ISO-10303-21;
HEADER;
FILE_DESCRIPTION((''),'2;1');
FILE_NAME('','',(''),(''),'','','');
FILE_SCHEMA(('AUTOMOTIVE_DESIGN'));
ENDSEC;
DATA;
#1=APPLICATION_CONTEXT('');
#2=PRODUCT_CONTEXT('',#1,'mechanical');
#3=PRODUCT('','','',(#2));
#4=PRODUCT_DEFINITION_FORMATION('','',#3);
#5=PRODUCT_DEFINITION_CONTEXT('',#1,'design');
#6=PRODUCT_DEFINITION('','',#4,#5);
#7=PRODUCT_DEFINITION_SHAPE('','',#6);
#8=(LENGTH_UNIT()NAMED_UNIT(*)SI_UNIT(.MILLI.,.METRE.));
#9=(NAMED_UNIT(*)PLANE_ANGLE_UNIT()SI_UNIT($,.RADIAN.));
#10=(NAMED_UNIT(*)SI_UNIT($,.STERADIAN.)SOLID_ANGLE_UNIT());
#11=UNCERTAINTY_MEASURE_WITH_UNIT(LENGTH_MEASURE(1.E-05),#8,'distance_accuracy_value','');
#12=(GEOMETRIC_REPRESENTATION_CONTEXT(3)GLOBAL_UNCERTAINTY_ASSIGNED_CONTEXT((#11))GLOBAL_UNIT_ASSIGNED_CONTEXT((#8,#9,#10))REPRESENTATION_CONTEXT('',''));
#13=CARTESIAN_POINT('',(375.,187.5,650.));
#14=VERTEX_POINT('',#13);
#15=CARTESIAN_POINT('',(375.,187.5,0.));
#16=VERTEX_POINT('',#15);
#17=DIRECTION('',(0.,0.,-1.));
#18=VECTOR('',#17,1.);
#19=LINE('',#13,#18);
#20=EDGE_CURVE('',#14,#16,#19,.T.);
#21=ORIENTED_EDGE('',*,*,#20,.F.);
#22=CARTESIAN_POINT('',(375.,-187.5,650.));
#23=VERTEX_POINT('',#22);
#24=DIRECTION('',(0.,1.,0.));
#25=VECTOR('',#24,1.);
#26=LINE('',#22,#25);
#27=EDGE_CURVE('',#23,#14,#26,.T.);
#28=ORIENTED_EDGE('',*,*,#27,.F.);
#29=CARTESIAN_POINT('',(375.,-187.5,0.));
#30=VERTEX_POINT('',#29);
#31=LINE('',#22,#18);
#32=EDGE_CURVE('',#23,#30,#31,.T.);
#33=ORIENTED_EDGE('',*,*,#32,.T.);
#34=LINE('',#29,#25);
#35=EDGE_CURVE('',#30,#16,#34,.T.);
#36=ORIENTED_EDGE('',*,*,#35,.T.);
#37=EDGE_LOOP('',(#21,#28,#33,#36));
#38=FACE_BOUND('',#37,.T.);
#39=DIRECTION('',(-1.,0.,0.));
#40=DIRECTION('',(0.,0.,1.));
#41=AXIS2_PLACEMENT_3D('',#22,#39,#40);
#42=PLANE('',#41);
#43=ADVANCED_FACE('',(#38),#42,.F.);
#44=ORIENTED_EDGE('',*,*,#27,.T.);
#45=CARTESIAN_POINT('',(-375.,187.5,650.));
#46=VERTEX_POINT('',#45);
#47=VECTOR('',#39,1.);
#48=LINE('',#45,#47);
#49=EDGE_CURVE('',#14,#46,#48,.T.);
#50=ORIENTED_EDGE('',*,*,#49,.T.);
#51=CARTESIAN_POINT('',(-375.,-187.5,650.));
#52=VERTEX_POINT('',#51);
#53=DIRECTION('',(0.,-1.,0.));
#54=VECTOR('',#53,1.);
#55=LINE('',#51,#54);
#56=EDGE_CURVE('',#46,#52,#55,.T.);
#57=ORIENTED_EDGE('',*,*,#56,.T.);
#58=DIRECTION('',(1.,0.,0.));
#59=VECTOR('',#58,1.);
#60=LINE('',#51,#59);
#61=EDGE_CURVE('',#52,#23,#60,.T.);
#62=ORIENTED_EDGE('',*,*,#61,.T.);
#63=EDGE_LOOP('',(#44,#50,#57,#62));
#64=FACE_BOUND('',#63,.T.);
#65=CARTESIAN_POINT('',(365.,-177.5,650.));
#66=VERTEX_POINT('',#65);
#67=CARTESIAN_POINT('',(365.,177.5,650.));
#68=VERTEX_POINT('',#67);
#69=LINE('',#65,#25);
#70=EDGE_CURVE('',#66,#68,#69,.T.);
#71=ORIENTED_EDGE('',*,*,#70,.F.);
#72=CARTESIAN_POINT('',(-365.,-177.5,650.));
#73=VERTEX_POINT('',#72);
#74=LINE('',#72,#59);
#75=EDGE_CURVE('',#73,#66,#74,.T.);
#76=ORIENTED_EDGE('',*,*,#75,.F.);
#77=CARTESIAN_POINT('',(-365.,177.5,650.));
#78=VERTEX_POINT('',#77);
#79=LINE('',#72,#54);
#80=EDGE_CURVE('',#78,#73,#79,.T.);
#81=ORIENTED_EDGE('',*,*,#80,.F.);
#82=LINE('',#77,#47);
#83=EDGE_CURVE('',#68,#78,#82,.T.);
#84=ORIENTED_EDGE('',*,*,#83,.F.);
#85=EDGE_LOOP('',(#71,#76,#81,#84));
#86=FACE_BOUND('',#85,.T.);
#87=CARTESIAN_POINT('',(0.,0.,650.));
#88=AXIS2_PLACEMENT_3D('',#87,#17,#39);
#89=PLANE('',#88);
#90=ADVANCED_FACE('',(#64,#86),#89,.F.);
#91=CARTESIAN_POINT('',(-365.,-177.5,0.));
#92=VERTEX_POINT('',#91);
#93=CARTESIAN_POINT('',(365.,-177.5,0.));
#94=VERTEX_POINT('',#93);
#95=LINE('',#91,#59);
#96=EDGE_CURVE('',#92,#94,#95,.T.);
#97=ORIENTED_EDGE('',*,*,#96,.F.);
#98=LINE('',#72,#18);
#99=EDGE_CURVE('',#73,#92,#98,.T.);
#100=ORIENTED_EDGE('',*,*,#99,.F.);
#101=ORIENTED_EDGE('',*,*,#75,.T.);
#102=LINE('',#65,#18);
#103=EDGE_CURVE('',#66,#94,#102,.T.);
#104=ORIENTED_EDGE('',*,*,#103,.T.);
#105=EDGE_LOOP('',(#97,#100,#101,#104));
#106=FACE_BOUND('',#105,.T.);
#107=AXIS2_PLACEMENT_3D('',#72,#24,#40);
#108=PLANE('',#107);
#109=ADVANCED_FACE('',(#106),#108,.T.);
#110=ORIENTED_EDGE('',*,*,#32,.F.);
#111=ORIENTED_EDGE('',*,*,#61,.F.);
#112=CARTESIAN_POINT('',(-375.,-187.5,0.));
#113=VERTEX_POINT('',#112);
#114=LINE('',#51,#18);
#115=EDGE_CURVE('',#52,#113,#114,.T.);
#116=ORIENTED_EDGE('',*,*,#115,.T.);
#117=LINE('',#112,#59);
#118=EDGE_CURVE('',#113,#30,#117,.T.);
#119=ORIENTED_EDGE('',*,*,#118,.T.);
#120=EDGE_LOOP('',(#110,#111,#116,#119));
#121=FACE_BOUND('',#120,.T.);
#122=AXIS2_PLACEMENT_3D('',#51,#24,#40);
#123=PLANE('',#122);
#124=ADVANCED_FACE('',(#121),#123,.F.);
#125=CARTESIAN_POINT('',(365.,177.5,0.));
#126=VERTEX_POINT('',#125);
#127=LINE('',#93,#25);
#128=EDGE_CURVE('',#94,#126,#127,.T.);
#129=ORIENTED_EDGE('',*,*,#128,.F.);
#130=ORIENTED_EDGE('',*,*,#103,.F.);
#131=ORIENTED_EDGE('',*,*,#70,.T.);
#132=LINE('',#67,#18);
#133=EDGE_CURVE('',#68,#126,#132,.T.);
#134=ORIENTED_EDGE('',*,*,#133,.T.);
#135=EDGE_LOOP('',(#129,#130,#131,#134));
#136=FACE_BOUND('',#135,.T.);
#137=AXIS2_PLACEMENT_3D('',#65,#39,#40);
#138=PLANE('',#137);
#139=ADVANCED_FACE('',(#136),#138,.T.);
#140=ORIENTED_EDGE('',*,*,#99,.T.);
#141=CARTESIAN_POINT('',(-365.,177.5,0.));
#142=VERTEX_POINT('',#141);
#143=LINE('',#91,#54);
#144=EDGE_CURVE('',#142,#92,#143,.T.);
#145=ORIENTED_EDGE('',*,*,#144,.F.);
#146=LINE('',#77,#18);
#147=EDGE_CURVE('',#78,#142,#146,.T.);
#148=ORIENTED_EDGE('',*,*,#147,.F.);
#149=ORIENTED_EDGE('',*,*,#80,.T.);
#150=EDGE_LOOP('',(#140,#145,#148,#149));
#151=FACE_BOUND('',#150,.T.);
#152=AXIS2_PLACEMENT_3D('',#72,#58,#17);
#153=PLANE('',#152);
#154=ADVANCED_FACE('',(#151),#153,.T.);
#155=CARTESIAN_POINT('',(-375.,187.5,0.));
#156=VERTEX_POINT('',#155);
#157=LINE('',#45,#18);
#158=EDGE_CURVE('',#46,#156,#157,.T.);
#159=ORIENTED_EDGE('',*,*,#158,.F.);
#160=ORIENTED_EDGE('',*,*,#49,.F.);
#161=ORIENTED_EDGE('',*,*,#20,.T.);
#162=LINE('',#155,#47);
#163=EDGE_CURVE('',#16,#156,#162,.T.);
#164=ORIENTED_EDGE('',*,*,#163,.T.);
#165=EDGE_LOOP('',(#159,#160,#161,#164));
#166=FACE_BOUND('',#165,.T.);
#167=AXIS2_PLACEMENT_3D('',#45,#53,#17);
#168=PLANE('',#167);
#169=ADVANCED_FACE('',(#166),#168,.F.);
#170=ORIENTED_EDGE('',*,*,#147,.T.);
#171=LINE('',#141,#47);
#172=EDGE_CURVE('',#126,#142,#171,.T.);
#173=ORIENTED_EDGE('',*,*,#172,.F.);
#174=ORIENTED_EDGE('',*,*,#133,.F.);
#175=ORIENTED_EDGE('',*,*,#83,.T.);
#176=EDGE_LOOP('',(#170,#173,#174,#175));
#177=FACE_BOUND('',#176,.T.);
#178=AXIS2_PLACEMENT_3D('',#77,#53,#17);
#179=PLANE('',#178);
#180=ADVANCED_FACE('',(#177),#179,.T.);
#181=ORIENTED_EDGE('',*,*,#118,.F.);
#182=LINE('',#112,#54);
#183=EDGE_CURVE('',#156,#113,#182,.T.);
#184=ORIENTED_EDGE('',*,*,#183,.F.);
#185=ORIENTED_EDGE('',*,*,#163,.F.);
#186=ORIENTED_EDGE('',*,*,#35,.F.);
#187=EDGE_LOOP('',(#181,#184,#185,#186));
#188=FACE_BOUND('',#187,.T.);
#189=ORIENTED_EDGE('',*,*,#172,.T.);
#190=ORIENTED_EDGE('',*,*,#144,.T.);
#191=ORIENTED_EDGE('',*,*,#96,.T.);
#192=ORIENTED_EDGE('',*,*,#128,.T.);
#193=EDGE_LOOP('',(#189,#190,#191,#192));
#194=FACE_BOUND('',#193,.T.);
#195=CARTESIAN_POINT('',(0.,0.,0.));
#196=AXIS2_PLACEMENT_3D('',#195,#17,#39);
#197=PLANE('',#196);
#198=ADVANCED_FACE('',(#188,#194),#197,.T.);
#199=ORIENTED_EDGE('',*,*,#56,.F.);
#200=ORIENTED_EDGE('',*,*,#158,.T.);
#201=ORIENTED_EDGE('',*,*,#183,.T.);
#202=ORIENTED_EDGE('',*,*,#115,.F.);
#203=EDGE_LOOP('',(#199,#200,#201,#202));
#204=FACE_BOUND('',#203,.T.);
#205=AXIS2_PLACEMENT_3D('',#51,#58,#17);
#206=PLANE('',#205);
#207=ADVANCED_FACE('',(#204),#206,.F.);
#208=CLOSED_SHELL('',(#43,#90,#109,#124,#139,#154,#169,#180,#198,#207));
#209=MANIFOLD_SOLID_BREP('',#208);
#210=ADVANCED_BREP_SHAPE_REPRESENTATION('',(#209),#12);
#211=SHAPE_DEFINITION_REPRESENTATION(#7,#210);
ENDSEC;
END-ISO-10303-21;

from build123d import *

# Parameters (mm, degrees)
SKETCH1_W           = 750
SKETCH1_H           = 375
SKETCH1_W_2         = 730
SKETCH1_H_2         = 355
BOSS_EXTRUDE2_DEPTH = 650


with BuildPart() as part:
    # Sketch1 → Boss-Extrude2 (new body)
    with BuildSketch(Plane.XY):
        Rectangle(SKETCH1_W, SKETCH1_H)
        Rectangle(SKETCH1_W_2, SKETCH1_H_2, mode=Mode.SUBTRACT)
    extrude(amount=BOSS_EXTRUDE2_DEPTH)


solid = part.part
